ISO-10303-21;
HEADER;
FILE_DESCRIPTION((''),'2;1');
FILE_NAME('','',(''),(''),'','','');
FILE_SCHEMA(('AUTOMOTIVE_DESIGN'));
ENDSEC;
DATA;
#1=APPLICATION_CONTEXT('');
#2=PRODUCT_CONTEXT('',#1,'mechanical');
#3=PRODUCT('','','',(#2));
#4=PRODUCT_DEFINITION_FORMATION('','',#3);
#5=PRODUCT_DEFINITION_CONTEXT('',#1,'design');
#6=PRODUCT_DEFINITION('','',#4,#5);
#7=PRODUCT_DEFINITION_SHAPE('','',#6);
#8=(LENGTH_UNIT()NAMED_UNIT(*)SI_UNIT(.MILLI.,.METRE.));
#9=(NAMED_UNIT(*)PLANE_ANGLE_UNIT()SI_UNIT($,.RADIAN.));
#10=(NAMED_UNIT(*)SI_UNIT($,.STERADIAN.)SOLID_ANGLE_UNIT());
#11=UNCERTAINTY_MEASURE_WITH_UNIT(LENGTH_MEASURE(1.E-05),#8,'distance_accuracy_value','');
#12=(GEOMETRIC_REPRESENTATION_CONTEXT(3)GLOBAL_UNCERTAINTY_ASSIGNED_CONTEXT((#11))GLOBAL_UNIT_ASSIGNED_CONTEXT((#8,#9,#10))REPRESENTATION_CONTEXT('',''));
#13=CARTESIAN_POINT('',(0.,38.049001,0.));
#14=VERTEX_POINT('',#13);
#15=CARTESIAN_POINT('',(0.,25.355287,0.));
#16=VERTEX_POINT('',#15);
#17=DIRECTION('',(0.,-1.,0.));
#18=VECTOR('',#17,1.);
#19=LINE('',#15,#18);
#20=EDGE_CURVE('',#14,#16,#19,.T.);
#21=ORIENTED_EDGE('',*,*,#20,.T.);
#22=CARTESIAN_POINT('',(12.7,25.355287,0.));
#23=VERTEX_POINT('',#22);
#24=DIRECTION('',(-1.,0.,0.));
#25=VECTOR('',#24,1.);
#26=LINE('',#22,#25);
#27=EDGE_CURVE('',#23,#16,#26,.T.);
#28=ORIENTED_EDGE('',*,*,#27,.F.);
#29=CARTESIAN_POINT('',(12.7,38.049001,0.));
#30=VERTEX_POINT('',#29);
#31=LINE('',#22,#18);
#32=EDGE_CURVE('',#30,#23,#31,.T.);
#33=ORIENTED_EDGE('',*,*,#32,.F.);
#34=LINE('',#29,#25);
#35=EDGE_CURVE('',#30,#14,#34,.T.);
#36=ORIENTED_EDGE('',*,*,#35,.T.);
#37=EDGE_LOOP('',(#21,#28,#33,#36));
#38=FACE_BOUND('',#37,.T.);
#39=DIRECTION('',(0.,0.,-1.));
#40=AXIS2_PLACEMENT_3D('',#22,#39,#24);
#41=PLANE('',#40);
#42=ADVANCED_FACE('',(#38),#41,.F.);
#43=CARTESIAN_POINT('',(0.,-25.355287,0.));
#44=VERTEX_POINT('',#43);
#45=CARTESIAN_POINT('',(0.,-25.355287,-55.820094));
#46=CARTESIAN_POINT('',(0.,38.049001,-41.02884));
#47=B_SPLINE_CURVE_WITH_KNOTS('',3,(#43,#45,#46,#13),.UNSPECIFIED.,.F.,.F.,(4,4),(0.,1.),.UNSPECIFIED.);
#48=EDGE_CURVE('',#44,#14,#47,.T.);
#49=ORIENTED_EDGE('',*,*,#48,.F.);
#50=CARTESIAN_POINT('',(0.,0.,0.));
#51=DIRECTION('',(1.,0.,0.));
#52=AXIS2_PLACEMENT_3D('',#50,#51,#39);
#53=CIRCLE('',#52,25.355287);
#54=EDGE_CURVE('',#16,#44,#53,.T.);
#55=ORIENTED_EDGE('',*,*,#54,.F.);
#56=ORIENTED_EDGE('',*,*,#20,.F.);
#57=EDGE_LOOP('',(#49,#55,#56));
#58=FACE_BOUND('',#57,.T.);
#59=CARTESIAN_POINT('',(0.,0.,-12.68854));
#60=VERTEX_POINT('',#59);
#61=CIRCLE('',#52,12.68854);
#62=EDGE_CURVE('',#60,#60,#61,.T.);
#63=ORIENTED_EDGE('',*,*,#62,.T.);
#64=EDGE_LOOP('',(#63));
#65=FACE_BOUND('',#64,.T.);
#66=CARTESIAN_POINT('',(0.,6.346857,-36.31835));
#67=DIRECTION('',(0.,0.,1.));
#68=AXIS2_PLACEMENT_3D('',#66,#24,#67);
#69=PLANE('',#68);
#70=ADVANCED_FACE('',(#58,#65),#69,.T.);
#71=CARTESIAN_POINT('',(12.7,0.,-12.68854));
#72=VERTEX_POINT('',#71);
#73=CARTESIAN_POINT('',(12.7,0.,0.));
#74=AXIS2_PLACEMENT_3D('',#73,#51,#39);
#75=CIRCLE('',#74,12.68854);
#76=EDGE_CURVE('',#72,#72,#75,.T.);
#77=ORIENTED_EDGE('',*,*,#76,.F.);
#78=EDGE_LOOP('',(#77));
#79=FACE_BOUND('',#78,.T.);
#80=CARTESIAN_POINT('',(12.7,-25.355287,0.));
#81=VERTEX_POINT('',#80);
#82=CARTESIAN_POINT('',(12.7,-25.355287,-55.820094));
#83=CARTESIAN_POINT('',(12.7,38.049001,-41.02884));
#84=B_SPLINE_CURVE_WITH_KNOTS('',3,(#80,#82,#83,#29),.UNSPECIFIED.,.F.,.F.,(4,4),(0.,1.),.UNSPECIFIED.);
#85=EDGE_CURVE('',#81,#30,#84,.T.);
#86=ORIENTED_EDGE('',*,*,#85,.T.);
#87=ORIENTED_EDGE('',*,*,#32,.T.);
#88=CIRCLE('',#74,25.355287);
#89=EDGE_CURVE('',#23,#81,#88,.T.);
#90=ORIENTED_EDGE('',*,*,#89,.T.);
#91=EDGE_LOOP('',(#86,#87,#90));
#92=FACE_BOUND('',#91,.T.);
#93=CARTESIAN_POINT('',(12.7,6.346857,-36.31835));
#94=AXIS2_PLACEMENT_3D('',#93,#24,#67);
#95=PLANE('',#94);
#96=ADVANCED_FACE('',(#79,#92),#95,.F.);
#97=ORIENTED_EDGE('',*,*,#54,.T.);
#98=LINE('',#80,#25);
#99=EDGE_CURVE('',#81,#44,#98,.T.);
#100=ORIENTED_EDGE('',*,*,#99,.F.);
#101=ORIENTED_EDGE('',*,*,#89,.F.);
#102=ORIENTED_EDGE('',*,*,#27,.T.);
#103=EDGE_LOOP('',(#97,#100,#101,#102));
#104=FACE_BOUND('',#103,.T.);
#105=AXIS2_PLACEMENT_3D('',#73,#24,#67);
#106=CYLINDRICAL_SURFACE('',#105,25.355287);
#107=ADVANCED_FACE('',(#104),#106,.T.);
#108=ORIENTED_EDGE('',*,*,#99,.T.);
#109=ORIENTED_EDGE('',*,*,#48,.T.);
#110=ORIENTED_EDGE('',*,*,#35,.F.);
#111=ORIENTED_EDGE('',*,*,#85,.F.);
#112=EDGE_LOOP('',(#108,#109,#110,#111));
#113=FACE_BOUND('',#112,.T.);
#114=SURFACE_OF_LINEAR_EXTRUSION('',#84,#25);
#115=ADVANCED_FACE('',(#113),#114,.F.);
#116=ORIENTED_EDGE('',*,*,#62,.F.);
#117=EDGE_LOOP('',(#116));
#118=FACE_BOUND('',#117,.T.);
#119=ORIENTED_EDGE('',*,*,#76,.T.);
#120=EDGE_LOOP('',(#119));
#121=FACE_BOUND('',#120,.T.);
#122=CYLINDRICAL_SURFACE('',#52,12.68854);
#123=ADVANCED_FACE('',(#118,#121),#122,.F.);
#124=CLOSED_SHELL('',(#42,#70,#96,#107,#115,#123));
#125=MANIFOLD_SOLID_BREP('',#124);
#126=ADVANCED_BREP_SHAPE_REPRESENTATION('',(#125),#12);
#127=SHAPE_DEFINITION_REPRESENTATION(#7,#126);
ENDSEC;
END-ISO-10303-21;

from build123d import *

# Parameters (mm, degrees)
BOSS_EXTRUDE1_DEPTH = 12.7
SKETCH2_R           = 12.688539965
CUT_EXTRUDE1_DEPTH  = 12.7


with BuildPart() as part:
    # Sketch1 → Boss-Extrude1 (new body)
    with BuildSketch(Plane(origin=(0, 0, 0), x_dir=(0, 0, -1), z_dir=(1, 0, 0))):
        with BuildLine():
            Line((0, 25.355286684), (0, 38.049000646))
            add(Edge.make_bspline(
                [(0, -25.355286684), (55.820093588, -25.355286684), (41.028839812, 38.049000646), (0, 38.049000646)],
                knots=[0, 0, 0, 0, 1, 1, 1, 1], degree=3))
            ThreePointArc((0, -25.355286684), (-25.355286684, 0), (0, 25.355286684))
        make_face()
    extrude(amount=BOSS_EXTRUDE1_DEPTH)

    # Sketch2 → Cut-Extrude1 (cut)
    with BuildSketch(Plane(origin=(12.7, 0, 0), x_dir=(0, 0, -1), z_dir=(1, 0, 0))):
        Circle(SKETCH2_R)
    extrude(amount=-CUT_EXTRUDE1_DEPTH, mode=Mode.SUBTRACT)


solid = part.part
